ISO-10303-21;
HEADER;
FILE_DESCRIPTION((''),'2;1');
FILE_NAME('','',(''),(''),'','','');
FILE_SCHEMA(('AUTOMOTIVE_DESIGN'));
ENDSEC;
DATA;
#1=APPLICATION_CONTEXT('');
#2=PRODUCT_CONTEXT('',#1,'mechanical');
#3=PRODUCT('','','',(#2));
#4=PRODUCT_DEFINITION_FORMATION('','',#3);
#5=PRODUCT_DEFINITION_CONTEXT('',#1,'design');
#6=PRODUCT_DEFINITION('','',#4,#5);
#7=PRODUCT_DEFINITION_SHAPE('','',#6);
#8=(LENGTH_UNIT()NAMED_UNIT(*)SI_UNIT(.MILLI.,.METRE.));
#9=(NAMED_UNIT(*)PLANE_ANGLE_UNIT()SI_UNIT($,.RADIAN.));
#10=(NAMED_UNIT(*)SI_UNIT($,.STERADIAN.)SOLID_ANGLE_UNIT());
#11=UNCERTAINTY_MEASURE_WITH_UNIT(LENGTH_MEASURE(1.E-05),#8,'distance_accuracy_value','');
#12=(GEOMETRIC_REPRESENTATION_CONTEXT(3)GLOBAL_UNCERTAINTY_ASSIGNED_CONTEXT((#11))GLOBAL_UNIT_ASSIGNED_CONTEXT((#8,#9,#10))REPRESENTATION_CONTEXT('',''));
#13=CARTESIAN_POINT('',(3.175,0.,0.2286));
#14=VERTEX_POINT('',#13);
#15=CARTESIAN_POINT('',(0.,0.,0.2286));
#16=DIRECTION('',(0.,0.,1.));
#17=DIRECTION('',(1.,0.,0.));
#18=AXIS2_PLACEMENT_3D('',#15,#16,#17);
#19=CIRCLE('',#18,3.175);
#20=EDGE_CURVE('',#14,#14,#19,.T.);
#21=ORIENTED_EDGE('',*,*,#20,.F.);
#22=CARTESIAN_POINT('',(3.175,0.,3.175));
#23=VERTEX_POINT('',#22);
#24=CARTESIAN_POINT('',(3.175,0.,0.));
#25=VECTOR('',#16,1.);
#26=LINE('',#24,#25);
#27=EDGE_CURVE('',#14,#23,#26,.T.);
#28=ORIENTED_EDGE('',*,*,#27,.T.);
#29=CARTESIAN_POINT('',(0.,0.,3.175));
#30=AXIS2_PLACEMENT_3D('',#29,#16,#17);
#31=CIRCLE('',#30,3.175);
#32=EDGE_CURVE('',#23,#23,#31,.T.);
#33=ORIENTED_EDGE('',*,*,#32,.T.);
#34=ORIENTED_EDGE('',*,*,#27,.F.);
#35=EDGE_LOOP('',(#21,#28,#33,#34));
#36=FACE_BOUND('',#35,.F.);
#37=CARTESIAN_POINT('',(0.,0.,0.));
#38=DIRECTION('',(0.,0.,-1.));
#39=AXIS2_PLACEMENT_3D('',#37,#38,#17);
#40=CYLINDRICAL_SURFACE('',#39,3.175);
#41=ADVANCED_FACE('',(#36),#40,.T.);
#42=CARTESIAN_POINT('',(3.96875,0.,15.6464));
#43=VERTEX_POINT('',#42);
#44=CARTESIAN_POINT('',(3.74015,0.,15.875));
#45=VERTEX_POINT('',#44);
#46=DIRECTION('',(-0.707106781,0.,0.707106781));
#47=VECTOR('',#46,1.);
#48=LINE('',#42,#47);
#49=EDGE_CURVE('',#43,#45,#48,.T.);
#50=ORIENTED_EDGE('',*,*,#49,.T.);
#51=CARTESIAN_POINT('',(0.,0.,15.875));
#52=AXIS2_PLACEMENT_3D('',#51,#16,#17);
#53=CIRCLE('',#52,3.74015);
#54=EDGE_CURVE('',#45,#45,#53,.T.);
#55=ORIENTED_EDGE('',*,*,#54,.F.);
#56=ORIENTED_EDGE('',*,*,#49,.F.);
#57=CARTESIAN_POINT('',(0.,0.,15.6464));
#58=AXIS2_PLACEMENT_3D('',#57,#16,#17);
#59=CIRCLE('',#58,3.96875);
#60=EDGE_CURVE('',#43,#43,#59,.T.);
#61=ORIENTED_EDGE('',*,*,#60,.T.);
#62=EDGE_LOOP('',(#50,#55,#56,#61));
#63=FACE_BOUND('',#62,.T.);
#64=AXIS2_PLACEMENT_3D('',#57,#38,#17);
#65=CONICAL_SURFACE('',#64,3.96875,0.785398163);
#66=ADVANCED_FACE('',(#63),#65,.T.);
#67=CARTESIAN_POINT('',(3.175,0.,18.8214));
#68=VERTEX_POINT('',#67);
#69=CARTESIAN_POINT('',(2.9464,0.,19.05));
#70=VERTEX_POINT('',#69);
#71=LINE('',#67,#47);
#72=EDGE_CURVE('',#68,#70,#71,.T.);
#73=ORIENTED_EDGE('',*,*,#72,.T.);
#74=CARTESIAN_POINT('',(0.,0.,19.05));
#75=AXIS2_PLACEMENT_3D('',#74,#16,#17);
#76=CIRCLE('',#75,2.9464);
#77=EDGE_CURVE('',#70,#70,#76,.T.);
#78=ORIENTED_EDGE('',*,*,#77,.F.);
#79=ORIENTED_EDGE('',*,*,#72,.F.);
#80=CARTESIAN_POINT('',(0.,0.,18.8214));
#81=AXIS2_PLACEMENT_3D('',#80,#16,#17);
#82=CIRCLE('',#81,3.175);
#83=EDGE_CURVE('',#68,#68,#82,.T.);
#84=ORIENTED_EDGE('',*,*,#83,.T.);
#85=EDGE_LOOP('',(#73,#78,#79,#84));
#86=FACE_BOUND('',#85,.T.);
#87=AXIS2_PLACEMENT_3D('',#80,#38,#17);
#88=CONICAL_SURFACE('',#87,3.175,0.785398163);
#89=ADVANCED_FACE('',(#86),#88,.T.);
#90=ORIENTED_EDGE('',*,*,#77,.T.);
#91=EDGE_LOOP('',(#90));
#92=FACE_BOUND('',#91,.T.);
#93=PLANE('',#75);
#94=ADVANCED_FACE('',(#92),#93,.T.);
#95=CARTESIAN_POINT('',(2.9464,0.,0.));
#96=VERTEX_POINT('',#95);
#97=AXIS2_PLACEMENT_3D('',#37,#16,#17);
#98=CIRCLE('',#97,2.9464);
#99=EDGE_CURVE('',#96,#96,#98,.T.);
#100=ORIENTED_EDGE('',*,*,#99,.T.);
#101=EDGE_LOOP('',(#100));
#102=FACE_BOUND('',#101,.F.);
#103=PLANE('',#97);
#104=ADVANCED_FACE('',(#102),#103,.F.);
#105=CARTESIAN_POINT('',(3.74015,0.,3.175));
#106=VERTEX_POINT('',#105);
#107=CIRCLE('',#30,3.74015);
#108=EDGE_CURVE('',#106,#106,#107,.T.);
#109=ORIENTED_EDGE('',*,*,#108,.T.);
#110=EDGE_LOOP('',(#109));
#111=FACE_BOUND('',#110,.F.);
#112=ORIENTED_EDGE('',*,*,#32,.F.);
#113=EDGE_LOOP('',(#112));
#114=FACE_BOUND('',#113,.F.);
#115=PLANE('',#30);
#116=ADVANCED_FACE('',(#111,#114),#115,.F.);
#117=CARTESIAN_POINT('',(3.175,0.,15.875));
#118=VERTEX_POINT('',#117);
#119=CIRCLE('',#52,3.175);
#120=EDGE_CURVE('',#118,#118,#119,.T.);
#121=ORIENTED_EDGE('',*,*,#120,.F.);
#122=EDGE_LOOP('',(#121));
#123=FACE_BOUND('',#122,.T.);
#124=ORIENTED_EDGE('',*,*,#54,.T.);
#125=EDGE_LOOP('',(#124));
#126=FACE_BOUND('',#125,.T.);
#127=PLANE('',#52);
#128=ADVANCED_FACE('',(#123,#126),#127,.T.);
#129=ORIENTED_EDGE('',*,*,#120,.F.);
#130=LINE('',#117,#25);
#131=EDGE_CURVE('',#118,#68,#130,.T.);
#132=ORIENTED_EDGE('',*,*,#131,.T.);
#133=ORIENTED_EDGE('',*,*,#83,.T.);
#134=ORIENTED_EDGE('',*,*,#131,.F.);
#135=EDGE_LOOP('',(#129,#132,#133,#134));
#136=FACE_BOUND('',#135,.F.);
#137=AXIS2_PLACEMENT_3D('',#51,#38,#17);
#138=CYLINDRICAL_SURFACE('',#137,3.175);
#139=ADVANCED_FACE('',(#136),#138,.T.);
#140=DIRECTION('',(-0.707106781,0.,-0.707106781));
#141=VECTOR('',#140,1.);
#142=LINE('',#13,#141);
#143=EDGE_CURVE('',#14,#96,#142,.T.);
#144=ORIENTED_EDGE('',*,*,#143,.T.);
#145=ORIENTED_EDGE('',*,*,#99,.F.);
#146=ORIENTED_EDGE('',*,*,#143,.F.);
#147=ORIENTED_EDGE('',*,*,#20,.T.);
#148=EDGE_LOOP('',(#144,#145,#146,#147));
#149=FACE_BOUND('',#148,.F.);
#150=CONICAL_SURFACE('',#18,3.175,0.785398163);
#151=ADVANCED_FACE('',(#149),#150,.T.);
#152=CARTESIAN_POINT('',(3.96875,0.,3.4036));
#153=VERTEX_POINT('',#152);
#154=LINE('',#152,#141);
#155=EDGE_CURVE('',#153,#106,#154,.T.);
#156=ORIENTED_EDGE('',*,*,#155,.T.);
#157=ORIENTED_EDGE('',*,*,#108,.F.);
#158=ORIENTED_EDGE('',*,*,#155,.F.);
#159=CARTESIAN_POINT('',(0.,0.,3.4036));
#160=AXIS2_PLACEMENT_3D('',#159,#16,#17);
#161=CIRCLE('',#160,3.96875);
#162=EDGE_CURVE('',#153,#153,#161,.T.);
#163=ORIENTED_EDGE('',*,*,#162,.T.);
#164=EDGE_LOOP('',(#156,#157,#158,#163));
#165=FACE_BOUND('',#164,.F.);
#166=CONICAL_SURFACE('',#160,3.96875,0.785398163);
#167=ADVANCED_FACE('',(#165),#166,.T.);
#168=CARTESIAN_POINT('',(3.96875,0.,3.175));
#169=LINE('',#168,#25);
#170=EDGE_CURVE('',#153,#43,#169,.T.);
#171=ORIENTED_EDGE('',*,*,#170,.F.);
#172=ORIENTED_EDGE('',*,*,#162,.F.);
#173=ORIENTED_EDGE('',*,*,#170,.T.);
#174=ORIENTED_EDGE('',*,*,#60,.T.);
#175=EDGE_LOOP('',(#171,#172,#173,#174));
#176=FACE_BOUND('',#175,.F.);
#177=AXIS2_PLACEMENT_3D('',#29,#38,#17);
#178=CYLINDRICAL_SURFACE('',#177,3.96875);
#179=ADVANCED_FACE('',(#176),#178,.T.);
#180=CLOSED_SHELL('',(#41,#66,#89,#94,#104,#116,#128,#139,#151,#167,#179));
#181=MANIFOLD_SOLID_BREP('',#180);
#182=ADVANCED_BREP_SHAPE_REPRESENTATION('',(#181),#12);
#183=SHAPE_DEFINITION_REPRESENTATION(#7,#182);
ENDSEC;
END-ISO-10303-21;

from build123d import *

# Parameters (mm, degrees)
F0_R     = 3.175
F1_DEPTH = 3.175
F2_R     = 3.96875
F3_DEPTH = 12.7
F4_R     = 3.175
F5_DEPTH = 3.175
F6_SIZE  = 0.2286


with BuildPart() as f1:
    # F0 (on Top) → F1 (new body)
    with BuildSketch(Plane.XY):
        Circle(F0_R)
    extrude(amount=F1_DEPTH)

    # F2 (on face) → F3 (join)
    with BuildSketch(Plane.XY.offset(3.175)):
        Circle(F2_R)
    extrude(amount=F3_DEPTH)

    # F4 (on face) → F5 (join)
    with BuildSketch(Plane.XY.offset(15.875)):
        Circle(F4_R)
    extrude(amount=F5_DEPTH)

    # F6
    f6_edges = [f1.edges().sort_by_distance(p)[0] for p in [
        (-3.175, 0, 19.05),
        (-3.96875, 0, 15.875),
        (-3.96875, 0, 3.175),
        (-3.175, 0, 0),
    ]]
    chamfer(f6_edges, length=F6_SIZE)


solid = f1.part
